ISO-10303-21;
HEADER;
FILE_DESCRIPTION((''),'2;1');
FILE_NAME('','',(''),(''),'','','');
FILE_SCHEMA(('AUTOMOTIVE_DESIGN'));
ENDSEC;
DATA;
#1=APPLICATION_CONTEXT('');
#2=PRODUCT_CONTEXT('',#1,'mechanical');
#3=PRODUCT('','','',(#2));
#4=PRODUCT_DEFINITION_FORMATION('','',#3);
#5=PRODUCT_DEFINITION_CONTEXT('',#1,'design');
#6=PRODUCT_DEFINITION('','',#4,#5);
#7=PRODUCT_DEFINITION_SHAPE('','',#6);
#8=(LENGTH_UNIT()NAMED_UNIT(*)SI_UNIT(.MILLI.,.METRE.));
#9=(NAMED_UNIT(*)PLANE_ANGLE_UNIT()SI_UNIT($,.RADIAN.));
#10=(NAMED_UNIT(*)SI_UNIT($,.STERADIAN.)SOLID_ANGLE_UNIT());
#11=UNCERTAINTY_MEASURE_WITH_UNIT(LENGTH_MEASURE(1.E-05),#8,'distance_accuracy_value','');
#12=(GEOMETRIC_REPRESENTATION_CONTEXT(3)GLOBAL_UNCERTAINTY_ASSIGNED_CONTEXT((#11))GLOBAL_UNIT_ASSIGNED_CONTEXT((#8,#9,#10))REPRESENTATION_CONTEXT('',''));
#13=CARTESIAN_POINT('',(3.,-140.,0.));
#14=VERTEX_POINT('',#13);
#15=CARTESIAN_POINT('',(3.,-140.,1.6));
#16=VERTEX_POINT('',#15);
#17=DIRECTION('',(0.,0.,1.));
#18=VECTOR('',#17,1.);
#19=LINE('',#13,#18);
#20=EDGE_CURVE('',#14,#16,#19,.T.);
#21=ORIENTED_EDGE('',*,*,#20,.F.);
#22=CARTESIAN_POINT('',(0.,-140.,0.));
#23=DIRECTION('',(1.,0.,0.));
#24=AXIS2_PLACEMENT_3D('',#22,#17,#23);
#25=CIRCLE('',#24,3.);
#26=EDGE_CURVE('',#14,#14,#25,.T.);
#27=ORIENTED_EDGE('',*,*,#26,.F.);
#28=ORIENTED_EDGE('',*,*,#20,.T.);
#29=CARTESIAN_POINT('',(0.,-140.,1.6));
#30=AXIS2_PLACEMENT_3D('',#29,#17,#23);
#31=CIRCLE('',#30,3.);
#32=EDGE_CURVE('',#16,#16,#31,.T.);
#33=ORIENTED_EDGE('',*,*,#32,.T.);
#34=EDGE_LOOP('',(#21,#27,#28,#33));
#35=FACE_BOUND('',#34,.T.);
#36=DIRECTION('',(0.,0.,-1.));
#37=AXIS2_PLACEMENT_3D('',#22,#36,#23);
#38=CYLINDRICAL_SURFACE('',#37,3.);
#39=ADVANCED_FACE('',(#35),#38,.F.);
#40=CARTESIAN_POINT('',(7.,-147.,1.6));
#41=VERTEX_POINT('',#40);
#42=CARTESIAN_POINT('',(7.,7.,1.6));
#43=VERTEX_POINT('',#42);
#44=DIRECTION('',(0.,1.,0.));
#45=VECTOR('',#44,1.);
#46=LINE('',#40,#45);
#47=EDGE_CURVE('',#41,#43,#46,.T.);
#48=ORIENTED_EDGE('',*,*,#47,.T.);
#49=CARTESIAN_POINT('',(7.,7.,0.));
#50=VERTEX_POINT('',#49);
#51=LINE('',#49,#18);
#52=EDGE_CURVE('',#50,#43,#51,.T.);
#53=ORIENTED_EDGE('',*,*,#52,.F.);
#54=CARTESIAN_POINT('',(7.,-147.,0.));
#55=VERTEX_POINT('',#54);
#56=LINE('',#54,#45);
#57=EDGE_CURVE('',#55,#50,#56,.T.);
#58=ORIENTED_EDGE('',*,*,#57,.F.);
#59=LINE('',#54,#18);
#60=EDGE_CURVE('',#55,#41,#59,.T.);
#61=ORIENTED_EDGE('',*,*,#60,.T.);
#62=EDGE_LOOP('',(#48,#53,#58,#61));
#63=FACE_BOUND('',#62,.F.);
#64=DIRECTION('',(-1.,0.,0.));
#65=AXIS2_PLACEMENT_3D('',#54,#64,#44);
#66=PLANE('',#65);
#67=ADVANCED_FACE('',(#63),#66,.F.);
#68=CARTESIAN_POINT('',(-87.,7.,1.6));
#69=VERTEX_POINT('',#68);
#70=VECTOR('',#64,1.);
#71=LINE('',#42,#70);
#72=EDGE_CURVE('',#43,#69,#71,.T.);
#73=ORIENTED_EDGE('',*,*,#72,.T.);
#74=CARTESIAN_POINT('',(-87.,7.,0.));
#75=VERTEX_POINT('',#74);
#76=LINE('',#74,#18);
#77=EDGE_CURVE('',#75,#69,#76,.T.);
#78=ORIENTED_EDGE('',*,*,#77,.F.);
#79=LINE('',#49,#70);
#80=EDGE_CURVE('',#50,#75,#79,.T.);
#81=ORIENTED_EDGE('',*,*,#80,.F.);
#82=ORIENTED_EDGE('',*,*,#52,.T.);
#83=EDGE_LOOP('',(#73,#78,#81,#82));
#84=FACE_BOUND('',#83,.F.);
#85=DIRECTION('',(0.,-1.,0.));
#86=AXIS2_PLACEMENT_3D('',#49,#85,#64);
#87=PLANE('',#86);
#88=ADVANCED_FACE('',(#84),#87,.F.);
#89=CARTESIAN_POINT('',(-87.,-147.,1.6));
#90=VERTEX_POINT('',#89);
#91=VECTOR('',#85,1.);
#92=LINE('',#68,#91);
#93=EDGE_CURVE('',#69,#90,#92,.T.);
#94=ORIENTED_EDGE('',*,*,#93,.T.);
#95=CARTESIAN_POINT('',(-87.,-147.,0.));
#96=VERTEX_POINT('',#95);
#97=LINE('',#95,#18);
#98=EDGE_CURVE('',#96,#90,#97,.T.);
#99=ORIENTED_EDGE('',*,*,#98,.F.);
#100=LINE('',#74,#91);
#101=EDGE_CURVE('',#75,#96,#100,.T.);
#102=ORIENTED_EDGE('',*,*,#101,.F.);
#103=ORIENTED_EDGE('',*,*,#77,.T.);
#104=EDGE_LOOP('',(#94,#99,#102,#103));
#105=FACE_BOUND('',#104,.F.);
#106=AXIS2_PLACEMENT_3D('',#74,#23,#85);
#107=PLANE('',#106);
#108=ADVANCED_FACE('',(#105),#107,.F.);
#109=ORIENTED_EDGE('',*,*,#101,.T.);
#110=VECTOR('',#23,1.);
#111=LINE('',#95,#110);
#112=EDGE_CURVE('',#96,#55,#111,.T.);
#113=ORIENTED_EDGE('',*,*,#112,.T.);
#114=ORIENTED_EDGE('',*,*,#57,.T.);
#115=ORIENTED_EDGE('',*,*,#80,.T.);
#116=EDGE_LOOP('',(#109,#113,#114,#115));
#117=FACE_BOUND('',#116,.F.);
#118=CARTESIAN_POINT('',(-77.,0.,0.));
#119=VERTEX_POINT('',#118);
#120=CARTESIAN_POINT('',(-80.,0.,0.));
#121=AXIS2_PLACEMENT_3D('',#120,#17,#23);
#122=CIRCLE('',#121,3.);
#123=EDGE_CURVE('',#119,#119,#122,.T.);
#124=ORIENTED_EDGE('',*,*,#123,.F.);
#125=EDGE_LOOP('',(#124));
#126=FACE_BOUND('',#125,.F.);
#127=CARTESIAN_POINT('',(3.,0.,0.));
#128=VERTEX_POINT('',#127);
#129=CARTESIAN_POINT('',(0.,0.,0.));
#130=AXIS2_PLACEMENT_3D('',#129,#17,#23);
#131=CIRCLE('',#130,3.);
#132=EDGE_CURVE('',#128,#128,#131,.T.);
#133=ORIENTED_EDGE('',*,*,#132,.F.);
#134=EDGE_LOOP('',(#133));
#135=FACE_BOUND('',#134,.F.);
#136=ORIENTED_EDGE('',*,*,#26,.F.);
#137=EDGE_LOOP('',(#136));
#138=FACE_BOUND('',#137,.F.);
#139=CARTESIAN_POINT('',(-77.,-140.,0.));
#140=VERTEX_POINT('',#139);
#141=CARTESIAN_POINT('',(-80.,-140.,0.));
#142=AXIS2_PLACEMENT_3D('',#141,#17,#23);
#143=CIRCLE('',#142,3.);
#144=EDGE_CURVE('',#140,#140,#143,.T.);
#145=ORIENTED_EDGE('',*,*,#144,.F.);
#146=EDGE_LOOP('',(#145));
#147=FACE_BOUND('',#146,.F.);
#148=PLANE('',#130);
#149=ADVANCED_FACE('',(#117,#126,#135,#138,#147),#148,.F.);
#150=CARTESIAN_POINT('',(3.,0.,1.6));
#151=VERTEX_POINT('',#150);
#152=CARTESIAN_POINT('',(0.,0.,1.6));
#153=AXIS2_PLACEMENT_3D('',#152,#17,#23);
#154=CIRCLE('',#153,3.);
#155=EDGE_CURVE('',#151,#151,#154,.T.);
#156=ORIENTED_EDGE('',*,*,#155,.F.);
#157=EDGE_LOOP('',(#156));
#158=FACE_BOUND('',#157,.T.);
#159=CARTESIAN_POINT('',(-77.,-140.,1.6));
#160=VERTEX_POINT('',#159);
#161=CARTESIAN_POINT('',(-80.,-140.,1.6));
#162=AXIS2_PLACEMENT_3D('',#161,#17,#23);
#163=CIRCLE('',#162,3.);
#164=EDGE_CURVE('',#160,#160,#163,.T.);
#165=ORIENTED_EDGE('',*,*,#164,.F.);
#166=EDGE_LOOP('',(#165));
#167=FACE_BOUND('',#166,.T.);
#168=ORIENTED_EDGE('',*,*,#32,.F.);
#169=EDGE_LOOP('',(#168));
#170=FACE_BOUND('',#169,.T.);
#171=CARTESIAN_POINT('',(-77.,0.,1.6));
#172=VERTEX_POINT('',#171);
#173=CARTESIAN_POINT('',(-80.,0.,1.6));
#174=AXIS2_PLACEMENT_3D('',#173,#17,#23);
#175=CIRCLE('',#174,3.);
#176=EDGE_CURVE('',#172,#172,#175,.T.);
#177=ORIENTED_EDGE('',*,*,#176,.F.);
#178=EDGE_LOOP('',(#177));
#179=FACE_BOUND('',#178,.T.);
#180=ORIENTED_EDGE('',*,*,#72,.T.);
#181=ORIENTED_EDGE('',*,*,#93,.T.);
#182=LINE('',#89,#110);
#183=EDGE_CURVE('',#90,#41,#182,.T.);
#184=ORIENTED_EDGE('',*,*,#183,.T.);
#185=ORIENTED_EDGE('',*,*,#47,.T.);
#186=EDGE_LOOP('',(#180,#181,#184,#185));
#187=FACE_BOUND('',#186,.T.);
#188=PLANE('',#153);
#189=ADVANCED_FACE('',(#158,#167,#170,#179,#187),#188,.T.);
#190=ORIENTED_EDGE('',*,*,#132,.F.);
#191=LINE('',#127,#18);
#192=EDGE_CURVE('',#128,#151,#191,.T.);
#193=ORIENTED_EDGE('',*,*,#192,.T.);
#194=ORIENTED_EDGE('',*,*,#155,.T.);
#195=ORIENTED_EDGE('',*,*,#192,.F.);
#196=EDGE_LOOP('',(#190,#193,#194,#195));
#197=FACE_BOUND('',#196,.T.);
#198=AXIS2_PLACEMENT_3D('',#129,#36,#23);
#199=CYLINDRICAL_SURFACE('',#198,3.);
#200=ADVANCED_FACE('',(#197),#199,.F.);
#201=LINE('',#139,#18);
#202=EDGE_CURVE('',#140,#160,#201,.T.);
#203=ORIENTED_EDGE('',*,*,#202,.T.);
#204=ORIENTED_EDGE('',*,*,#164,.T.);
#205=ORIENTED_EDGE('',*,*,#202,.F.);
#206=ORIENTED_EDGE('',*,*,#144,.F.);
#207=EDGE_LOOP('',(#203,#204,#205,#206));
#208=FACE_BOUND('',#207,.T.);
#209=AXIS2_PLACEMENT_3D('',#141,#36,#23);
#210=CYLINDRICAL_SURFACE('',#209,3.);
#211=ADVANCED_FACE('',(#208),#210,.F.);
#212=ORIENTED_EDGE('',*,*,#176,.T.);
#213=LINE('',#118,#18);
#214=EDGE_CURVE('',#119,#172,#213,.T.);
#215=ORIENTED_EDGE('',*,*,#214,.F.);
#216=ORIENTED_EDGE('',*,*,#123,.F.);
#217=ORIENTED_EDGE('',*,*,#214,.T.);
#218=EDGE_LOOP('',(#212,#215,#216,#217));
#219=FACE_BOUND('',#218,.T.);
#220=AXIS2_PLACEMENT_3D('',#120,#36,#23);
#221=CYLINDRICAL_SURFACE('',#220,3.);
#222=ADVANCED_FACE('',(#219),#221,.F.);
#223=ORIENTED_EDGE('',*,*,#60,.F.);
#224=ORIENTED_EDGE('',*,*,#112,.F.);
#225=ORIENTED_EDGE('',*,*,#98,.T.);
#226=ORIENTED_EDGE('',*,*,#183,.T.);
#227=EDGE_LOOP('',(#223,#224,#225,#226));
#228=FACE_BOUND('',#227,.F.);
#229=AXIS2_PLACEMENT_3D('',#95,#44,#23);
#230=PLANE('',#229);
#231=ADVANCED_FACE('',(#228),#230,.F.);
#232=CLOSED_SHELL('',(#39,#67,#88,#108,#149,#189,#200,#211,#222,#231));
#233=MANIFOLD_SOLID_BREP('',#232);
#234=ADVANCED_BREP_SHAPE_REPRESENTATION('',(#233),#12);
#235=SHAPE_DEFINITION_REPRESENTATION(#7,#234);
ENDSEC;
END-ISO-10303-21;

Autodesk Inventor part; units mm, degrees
ref_plane "YZ Plane" through (0, 0, 0) normal (1, 0, 0) x (0, 1, 0)
ref_plane "XZ Plane" through (0, 0, 0) normal (0, 1, 0) x (-1, 0, 0)
ref_plane "XY Plane" through (0, 0, 0) normal (0, 0, 1) x (1, 0, 0)
sketch "Sketch1" plane through (0, 0, 0) normal (0, 0, 1) x (1, 0, 0)
  line L0 (-85, 9) -> (5, 9) construction
  line L1 (9, 5) -> (9, -145) construction
  line L2 (-89, -145) -> (-89, 5) construction
  circle A0 centre (0, -140) radius 6 construction
  circle A1 centre (0, 0) radius 6 construction
  circle A2 centre (-80, 0) radius 6 construction
  circle A3 centre (-80, -140) radius 6 construction
  arc A4 (-89, -145) -> (-85, -149) centre (-85, -145) ccw construction
  line L3 (5, -149) -> (-85, -149) construction
  arc A5 (5, -149) -> (9, -145) centre (5, -145) ccw construction
  line L4 (9, 5) -> (9, -145) construction
  arc A6 (9, 5) -> (5, 9) centre (5, 5) ccw construction
  line L5 (-85, 9) -> (5, 9) construction
  arc A7 (-85, 9) -> (-89, 5) centre (-85, 5) ccw construction
  line L6 (-89, -145) -> (-89, 5) construction
  circle A8 centre (0, 0) radius 2.5 construction
  circle A9 centre (0, -140) radius 2.5 construction
  circle A10 centre (-80, -140) radius 2.5 construction
  circle A11 centre (-80, 0) radius 2.5 construction
  circle A12 centre (0, 0) radius 3
  circle A13 centre (0, -140) radius 3
  circle A14 centre (-80, -140) radius 3
  circle A15 centre (-80, 0) radius 3
  line L7 (7, 7) -> (-87, 7)
  line L8 (-87, 7) -> (-87, -147)
  line L9 (-87, -147) -> (7, -147)
  line L10 (7, -147) -> (7, 7)
  point P0 (0, 0)
  dimension "d0" = 6
  dimension "d1" = 6
  dimension "d2" = 6
  dimension "d3" = 6
  dimension "d4" = 7
  dimension "d5" = 7
  dimension "d6" = 7
  dimension "d7" = 7
extrude "Extrusion1" add sketch "Sketch1" along normal blind 1.6
properties part number "PCBBase"
